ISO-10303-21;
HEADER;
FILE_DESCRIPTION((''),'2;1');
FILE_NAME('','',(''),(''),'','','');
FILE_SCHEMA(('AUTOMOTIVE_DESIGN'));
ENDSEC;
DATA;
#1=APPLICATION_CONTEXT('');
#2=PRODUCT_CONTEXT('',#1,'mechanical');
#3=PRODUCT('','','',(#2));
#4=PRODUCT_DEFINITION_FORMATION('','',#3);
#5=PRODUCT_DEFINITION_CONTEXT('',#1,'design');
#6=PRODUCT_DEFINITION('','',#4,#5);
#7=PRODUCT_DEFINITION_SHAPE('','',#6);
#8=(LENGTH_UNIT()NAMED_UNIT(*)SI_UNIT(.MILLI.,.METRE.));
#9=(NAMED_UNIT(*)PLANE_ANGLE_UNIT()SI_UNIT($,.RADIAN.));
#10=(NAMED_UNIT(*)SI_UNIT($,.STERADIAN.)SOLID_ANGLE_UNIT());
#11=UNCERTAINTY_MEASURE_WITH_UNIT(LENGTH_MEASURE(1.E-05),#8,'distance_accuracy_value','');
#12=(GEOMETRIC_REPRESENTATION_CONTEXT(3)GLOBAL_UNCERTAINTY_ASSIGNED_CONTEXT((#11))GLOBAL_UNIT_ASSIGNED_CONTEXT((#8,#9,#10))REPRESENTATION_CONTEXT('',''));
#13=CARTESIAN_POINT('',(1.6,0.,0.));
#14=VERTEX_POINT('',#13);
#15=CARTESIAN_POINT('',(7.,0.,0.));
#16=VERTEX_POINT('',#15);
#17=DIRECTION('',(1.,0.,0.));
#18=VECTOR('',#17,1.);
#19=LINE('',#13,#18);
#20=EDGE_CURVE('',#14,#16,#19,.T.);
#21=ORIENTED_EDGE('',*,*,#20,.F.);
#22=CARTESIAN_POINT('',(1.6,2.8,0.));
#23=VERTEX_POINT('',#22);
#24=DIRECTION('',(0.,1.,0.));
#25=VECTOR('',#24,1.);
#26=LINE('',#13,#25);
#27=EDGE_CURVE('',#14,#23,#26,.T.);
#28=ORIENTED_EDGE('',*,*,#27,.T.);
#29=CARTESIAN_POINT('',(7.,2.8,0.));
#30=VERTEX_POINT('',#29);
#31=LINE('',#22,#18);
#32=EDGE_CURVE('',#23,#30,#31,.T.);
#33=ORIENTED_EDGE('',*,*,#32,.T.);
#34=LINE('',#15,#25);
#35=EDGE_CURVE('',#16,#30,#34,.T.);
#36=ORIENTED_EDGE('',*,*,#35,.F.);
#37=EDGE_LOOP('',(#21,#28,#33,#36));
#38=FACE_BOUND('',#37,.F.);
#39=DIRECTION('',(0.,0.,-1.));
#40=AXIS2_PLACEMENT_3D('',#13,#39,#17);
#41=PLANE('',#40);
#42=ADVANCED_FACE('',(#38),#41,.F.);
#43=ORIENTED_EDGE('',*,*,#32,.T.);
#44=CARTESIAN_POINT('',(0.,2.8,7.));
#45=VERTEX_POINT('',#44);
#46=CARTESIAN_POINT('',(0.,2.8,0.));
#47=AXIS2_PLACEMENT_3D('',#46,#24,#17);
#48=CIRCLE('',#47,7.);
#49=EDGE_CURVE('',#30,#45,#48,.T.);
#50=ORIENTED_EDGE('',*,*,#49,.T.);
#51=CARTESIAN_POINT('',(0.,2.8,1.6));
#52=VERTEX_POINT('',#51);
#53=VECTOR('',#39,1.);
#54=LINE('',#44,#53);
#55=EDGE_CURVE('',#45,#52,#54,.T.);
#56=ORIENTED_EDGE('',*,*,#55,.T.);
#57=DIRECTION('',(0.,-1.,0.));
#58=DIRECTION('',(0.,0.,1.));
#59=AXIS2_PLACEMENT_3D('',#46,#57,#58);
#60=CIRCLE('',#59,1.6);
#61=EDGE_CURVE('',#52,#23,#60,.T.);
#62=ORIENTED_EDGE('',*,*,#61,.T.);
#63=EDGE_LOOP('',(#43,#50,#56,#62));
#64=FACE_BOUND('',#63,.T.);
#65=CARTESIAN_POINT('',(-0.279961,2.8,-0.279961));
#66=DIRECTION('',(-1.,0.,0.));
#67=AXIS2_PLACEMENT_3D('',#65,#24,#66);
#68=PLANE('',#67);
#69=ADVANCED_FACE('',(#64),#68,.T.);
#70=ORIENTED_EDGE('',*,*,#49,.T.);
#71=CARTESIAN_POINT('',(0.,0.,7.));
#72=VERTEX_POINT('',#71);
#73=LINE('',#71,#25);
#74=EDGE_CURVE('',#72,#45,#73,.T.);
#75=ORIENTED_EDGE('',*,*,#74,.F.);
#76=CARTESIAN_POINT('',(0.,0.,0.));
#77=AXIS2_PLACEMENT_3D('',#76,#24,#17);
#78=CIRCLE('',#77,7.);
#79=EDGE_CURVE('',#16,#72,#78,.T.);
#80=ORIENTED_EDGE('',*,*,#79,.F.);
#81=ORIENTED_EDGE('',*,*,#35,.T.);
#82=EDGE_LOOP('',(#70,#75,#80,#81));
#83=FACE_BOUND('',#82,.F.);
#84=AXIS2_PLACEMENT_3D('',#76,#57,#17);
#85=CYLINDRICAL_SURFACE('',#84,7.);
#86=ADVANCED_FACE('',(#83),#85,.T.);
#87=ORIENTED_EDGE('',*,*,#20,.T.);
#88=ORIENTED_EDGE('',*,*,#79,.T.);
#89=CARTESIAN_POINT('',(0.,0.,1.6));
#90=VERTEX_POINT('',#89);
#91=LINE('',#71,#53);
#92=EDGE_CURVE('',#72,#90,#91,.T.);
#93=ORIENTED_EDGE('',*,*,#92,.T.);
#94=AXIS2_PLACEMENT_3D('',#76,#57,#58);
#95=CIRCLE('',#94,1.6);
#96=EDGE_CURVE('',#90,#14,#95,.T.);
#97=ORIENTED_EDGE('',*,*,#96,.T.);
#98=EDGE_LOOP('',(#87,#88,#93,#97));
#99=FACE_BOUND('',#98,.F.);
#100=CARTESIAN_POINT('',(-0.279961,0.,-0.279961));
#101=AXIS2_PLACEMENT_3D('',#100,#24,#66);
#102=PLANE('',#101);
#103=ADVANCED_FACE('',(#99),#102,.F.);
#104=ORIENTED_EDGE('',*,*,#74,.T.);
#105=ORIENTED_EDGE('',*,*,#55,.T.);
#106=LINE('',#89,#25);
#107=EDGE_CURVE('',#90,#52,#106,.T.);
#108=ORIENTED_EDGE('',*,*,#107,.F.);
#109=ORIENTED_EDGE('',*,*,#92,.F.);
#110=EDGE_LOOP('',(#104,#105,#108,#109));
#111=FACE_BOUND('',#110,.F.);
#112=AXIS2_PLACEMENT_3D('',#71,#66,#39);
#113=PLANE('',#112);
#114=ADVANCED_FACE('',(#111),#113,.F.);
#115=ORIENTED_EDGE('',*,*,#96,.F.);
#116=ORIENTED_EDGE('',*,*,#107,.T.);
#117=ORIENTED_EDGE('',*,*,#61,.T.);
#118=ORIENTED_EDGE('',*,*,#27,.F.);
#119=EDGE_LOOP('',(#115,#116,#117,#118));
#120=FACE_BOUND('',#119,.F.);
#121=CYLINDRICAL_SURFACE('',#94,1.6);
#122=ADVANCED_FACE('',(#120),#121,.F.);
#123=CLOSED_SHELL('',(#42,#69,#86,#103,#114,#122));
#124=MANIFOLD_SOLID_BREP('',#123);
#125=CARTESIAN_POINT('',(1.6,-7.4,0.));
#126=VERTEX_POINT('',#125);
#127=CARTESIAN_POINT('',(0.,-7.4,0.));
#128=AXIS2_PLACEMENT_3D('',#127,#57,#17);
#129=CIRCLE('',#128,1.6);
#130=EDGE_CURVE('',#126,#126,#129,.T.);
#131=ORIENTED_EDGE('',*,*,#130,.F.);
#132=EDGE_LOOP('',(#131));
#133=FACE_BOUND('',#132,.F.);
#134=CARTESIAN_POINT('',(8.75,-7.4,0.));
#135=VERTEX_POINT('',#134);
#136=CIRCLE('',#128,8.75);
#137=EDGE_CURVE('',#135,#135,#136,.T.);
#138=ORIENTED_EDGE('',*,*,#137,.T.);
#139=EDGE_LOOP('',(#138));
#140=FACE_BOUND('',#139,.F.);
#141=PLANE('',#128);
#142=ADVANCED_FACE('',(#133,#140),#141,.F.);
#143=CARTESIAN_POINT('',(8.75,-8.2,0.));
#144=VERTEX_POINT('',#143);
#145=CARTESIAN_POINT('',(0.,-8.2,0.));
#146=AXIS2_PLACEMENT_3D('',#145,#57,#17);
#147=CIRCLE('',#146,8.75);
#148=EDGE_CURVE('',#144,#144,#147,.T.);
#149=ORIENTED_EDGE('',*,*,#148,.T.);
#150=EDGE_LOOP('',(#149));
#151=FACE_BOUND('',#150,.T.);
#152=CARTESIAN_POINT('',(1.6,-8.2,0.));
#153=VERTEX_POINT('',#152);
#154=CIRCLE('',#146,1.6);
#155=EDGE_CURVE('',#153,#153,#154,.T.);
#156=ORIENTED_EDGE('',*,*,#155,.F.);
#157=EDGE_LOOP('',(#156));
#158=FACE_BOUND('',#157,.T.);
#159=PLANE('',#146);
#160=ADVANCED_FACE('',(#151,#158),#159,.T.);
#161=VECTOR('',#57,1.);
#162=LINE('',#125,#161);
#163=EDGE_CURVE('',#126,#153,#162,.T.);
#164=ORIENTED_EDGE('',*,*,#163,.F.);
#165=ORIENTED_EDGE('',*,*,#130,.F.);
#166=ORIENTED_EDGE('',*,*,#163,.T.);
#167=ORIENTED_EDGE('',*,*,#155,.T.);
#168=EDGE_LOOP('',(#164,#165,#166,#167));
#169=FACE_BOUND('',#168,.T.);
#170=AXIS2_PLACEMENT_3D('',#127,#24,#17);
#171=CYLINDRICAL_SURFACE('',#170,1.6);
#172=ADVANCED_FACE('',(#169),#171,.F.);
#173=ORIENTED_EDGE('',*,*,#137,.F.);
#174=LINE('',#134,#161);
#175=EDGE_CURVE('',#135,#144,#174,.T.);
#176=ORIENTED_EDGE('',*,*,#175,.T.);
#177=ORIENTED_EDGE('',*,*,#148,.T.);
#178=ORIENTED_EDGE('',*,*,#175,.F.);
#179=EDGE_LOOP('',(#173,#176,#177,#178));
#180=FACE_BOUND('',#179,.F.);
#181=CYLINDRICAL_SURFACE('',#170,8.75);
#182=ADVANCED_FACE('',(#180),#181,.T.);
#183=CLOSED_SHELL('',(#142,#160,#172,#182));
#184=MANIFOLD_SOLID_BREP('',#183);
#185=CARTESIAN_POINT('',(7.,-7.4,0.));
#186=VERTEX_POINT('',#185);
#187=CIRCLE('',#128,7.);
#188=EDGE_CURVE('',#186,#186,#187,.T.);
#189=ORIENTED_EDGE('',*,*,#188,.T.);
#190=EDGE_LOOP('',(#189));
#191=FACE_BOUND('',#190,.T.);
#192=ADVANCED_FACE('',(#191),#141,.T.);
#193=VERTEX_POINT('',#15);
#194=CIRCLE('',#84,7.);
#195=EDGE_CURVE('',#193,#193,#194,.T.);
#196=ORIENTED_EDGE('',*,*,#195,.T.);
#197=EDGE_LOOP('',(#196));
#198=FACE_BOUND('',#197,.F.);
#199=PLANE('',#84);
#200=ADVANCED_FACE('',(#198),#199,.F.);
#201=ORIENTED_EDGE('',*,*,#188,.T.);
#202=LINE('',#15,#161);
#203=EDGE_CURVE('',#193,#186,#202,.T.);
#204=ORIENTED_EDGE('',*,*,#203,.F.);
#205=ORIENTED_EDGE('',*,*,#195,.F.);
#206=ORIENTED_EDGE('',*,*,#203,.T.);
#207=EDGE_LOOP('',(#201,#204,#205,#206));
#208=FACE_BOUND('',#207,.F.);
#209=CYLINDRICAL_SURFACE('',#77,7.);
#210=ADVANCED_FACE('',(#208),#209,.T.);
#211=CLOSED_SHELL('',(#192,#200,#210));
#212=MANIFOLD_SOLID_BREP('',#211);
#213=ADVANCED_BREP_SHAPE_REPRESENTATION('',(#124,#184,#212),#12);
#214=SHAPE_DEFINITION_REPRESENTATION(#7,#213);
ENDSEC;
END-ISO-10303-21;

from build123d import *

# Parameters (mm, degrees)
F0_R     = 7
F1_DEPTH = 7.4
F2_R     = 8.75
F2_R_2   = 7
F2_R_3   = 1.6
F3_DEPTH = 0.8
F5_DEPTH = 2.8


with BuildPart() as f1:
    # F0 (on Front) → F1 (new body)
    with BuildSketch(Plane.XZ):
        Circle(F0_R)
    extrude(amount=F1_DEPTH)


with BuildPart() as f3:
    # F2 (on face) → F3 (new body)
    with BuildSketch(Plane.XZ.offset(7.4)):
        Circle(F2_R)
        Circle(F2_R_2, mode=Mode.SUBTRACT)
        Circle(F2_R_2)
        Circle(F2_R_3, mode=Mode.SUBTRACT)
    extrude(amount=F3_DEPTH)


with BuildPart() as f5:
    # F4 (on face) → F5 (new body)
    with BuildSketch(Plane(origin=(0, 0, 0), x_dir=(-1, 0, 0), z_dir=(0, 1, 0))):
        with BuildLine():
            ThreePointArc((-7, 0), (4.9497474683, -4.9497474683), (0, 7))
            Line((0, 7), (0, 1.6))
            ThreePointArc((0, 1.6), (1.1313708499, -1.1313708499), (-1.6, 0))
            Line((-1.6, 0), (-7, 0))
        make_face()
    extrude(amount=F5_DEPTH)


solid = Compound([f1.part, f3.part, f5.part])
